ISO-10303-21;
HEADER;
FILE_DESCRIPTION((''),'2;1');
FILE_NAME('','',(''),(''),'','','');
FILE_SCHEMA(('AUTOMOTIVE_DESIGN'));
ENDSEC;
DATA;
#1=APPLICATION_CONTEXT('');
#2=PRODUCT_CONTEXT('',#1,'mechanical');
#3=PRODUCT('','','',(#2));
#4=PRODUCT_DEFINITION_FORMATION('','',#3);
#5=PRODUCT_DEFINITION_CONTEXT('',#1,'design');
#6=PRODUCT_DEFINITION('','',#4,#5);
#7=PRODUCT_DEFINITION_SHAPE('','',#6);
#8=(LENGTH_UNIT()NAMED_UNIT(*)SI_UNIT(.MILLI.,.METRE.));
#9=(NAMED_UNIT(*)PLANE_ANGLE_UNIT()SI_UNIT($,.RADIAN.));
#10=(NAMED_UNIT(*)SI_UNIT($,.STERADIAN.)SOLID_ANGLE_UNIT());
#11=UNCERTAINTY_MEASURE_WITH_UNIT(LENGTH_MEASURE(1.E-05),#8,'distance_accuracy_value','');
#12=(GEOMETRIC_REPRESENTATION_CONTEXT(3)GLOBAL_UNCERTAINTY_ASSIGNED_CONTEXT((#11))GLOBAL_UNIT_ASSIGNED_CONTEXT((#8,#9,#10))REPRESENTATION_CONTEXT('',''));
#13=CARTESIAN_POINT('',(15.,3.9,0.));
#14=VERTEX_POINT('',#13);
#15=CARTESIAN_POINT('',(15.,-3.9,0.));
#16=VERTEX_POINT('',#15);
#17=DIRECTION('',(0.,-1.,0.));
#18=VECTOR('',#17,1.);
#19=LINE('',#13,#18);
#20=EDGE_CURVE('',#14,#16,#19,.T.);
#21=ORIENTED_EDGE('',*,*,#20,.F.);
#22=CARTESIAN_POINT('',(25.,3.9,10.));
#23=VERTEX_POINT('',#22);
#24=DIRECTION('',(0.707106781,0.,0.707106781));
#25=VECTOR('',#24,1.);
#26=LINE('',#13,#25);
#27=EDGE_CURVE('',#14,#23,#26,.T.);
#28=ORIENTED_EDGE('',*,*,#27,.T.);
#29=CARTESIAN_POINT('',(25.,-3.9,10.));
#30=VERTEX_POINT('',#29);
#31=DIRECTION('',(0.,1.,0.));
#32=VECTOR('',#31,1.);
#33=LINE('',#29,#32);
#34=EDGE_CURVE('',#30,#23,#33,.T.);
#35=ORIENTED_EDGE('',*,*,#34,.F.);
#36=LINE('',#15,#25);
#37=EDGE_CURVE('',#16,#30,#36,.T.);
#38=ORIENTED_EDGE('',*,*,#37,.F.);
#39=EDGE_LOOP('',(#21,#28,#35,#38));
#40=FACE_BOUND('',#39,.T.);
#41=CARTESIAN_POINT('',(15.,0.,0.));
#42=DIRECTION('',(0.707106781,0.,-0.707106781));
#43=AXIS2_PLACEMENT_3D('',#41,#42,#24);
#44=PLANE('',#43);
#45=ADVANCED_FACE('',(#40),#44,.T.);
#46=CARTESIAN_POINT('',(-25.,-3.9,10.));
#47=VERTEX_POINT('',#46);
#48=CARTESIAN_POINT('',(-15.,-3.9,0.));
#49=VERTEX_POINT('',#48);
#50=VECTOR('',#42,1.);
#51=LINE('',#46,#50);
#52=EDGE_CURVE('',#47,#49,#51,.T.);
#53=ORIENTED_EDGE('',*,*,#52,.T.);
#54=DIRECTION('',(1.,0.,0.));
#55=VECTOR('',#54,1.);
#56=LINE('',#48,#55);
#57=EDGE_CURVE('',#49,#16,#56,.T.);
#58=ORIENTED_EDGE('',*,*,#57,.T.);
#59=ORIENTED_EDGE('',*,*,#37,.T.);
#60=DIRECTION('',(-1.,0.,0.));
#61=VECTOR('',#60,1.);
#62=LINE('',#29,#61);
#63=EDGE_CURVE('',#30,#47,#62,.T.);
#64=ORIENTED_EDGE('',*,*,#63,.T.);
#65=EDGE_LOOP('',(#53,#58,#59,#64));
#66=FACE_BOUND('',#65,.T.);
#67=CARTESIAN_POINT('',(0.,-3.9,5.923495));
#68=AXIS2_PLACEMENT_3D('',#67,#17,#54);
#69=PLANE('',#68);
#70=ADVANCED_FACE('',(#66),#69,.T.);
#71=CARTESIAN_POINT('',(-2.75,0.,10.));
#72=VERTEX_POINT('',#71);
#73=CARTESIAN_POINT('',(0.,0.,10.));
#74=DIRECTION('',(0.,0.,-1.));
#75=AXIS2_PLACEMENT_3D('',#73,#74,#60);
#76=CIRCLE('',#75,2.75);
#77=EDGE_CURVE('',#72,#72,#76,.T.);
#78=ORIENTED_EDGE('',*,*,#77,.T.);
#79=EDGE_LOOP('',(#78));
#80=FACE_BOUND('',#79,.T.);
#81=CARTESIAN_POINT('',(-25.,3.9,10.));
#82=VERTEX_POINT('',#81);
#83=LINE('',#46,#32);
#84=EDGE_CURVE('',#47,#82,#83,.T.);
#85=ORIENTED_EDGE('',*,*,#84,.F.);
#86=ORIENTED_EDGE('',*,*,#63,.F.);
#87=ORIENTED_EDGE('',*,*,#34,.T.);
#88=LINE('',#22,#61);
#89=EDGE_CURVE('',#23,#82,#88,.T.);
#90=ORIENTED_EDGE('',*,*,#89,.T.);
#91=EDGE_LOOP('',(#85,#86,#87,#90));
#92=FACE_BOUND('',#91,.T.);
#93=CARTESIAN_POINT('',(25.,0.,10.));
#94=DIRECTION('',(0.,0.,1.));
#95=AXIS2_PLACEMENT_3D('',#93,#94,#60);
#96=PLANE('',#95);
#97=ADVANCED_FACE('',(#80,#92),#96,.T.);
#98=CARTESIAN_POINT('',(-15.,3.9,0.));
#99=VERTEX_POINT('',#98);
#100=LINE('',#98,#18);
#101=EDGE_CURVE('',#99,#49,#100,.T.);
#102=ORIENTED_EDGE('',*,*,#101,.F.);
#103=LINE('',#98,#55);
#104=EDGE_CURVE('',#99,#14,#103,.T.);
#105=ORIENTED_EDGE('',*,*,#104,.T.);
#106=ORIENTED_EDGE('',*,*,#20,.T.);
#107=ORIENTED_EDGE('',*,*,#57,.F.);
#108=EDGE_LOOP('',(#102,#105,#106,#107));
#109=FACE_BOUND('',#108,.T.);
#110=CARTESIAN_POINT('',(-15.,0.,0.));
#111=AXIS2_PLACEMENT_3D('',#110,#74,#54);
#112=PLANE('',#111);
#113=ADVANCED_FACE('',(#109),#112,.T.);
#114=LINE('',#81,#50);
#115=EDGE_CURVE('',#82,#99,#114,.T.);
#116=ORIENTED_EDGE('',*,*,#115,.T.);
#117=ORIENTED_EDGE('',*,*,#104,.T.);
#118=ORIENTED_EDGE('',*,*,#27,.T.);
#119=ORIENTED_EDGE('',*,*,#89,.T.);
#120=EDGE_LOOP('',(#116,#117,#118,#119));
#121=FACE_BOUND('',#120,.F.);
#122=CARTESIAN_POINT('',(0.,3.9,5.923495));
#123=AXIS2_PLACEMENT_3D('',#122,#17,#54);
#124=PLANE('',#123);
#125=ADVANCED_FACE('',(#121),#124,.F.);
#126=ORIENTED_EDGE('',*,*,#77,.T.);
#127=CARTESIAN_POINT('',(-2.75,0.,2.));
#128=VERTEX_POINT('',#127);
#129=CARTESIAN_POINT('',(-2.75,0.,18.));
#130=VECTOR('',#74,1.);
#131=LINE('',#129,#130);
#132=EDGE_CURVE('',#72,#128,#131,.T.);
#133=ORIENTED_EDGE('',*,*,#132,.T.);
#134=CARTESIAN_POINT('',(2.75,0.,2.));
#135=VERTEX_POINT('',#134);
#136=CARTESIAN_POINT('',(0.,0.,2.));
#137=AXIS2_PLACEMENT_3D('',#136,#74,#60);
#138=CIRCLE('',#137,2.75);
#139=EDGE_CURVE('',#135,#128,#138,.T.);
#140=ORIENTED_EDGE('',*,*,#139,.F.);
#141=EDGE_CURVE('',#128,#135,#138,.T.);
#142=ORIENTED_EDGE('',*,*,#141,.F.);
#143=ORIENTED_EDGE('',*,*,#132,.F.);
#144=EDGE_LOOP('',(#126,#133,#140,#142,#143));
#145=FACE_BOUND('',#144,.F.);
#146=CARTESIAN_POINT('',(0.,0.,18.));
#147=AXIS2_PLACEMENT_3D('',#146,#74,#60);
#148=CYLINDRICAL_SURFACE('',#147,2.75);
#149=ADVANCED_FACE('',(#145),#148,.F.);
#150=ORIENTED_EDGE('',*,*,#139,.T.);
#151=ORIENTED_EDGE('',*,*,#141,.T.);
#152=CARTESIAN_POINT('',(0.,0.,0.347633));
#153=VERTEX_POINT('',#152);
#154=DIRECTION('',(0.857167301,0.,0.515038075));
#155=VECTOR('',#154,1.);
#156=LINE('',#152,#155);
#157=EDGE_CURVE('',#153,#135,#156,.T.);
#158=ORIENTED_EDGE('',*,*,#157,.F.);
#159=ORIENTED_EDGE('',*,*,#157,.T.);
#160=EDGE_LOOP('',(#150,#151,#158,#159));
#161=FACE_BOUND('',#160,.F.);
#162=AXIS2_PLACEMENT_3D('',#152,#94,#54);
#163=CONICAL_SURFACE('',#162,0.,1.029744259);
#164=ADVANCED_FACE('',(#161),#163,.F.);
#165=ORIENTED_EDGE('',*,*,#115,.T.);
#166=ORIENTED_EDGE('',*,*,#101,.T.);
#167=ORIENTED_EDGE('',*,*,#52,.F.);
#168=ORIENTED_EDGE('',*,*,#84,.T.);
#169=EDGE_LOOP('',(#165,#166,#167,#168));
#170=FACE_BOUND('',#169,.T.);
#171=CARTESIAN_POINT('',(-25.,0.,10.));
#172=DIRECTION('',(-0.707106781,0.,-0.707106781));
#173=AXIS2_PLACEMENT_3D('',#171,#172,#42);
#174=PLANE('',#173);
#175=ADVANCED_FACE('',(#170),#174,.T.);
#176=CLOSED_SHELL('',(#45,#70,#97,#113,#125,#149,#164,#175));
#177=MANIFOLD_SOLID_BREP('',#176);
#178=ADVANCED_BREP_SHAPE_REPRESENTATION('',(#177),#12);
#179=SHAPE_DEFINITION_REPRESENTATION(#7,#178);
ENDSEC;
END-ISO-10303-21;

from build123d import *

# Parameters (mm, degrees)
F1_DEPTH = 3.9
F3_D     = 5.5
F3_DEPTH = 8
F3_TIP   = 1.6523667023


with BuildPart() as f1:
    # F0 (on Front) → F1 (new body, symmetric)
    with BuildSketch(Plane.XZ):
        Polygon((-25, 10), (-15, 0), (15, 0), (25, 10), align=None)
    extrude(amount=F1_DEPTH, both=True)

    # F3
    with Locations(Plane.XY.offset(10)):
        with Locations((0, 0)):
            Hole(F3_D / 2, depth=F3_DEPTH)
            with Locations((0, 0, -(F3_DEPTH + F3_TIP / 2))):  # 118° drill point
                Cone(0, F3_D / 2, F3_TIP, mode=Mode.SUBTRACT)


solid = f1.part
